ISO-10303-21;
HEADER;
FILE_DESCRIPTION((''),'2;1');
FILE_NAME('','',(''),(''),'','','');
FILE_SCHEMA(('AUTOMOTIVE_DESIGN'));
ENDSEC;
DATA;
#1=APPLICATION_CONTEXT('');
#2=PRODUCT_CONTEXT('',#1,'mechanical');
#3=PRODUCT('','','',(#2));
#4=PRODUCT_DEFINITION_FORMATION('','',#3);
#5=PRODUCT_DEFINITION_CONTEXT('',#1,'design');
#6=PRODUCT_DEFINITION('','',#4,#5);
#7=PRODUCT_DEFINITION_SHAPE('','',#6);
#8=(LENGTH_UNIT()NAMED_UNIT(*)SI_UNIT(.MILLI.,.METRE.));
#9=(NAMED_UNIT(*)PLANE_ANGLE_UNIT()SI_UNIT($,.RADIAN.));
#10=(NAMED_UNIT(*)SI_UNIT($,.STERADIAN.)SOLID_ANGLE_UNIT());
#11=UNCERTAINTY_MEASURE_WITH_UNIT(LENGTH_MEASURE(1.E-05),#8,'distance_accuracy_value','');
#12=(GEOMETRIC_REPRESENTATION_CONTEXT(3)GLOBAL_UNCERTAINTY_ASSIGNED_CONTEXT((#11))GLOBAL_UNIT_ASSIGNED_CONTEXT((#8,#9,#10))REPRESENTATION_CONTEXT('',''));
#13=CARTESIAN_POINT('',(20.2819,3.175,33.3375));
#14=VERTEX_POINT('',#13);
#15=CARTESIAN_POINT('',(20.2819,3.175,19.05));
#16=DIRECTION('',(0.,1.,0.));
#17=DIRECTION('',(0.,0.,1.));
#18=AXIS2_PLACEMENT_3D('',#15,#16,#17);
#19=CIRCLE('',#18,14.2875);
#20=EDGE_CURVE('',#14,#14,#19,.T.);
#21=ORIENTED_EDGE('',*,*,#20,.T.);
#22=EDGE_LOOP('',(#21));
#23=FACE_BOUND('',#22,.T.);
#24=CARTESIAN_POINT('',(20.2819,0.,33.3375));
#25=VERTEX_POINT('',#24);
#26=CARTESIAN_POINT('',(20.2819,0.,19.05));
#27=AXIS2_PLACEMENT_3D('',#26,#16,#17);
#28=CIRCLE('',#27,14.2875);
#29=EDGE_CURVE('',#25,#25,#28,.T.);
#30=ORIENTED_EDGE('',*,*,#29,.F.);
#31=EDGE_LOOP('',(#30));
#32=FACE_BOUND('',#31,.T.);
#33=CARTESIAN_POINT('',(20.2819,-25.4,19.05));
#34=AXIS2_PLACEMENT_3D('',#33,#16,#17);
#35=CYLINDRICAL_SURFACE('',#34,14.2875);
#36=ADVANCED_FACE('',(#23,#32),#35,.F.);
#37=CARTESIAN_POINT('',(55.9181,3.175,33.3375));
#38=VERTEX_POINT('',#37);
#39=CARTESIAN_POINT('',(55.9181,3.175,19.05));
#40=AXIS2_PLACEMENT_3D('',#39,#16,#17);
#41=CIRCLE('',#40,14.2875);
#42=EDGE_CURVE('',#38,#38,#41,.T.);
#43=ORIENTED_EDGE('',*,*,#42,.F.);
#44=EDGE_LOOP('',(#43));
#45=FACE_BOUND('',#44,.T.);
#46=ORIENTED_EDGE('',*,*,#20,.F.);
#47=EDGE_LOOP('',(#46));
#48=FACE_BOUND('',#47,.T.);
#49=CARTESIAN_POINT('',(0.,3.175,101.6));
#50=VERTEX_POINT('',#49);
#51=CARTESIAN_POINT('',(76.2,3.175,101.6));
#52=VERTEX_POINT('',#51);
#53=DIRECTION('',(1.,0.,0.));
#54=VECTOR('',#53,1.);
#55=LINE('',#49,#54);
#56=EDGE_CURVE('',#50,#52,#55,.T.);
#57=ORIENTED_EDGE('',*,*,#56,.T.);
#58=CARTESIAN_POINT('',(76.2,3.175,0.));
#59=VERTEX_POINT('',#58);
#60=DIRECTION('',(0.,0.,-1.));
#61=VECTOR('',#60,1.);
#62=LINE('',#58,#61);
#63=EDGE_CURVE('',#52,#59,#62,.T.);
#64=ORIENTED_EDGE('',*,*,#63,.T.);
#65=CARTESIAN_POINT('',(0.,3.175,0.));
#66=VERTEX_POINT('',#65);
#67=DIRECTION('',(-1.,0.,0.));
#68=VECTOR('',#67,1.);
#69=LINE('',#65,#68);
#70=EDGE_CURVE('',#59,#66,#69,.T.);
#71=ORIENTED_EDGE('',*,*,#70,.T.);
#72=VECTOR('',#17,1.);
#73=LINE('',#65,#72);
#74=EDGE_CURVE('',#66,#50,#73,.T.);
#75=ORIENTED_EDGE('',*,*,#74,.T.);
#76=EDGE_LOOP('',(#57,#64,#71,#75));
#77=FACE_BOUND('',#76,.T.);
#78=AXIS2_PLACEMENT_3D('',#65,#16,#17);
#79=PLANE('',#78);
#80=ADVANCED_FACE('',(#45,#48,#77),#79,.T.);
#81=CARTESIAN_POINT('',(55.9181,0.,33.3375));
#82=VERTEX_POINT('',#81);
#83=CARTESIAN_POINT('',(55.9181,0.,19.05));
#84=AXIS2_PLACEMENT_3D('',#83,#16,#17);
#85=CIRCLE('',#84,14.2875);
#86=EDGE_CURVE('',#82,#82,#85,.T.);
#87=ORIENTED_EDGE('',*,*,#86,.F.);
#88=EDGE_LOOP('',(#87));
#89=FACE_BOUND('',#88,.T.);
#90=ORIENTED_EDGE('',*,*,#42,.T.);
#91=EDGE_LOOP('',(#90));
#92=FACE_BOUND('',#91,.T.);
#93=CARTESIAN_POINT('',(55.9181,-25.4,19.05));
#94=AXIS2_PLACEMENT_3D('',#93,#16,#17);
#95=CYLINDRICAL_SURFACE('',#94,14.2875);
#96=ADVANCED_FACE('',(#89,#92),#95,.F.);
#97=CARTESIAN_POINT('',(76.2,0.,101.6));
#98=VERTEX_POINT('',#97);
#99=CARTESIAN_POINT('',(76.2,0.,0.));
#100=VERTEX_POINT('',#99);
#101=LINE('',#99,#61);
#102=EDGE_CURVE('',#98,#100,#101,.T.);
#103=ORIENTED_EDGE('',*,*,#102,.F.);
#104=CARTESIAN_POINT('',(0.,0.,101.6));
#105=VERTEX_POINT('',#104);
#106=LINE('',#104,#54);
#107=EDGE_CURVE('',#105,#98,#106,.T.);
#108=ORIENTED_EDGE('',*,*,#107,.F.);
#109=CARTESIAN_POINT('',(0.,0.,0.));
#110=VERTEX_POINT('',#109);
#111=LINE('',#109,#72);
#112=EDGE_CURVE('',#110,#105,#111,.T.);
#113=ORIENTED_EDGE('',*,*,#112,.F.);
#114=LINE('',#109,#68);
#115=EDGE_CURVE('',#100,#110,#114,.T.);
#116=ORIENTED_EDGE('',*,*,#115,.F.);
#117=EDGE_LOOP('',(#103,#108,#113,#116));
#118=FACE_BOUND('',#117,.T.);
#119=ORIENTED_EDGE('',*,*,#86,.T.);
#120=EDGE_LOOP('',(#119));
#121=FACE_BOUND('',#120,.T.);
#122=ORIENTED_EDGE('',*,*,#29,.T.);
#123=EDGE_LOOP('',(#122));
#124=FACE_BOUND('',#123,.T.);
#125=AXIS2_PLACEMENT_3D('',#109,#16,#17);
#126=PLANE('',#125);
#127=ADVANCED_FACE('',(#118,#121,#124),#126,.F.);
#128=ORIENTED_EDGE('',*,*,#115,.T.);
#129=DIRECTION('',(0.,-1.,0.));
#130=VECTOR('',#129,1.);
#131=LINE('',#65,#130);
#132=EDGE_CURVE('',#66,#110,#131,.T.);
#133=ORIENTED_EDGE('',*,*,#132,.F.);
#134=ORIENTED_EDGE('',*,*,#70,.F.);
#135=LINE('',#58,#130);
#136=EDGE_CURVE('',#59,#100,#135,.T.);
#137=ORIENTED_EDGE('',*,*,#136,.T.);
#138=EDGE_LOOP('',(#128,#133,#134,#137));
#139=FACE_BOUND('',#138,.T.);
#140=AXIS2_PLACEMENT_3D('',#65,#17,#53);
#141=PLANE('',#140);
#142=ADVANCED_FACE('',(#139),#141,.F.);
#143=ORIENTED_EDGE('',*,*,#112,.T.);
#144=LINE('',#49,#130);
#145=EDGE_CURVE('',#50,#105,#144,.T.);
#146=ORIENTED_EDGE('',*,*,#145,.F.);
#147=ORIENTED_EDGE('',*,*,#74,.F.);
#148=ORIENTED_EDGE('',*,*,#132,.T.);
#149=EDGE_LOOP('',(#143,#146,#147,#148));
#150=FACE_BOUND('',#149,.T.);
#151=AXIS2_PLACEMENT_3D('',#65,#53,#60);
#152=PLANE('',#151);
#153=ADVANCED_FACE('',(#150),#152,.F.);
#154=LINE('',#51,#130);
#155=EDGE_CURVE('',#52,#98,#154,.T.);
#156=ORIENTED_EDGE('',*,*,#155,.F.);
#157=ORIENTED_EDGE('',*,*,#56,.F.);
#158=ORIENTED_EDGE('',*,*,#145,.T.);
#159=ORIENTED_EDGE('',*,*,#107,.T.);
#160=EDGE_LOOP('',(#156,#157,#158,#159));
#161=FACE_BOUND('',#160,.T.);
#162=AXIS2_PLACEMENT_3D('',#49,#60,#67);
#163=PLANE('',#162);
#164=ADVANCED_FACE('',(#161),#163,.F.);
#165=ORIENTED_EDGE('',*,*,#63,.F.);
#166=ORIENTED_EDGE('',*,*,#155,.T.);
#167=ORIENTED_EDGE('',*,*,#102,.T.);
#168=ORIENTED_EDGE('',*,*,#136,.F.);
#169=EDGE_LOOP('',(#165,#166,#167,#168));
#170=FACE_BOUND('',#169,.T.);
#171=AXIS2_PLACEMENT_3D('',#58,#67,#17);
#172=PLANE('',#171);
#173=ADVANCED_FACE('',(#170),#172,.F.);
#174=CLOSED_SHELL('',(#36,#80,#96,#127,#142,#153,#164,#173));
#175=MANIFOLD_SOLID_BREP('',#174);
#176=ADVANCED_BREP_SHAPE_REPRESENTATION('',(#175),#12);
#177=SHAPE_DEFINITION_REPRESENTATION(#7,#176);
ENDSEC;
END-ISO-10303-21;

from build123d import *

# Parameters (mm, degrees)
SKETCH1_W           = 76.2
SKETCH1_H           = 101.6
BOSS_EXTRUDE1_DEPTH = 3.175
SKETCH2_R           = 14.2875
CUT_EXTRUDE1_DEPTH  = 28.575


with BuildPart() as part:
    # Sketch1 → Boss-Extrude1 (new body)
    with BuildSketch(Plane(origin=(0, 0, 0), x_dir=(1, 0, 0), z_dir=(0, 1, 0))):
        with Locations((38.1, -50.8)):
            Rectangle(SKETCH1_W, SKETCH1_H)
        Polygon((27.614248419, -19.05), (23.948074209, -12.7), (16.615725791, -12.7), (12.949551581, -19.05), (16.615725791, -25.4), (23.948074209, -25.4), align=None, mode=Mode.SUBTRACT)
        Polygon((55.9181, -11.717651581), (49.5681, -15.383825791), (49.5681, -22.716174209), (55.9181, -26.382348419), (62.2681, -22.716174209), (62.2681, -15.383825791), align=None, mode=Mode.SUBTRACT)
    extrude(amount=BOSS_EXTRUDE1_DEPTH)

    # Sketch2 → Cut-Extrude1 (cut)
    with BuildSketch(Plane(origin=(0, 3.175, 0), x_dir=(1, 0, 0), z_dir=(0, 1, 0))):
        with Locations(Location((20.2819, -19.05, 0), (0, 0, 270))):
            Circle(SKETCH2_R)
        with Locations(Location((55.9181, -19.05, 0), (0, 0, 270))):
            Circle(SKETCH2_R)
    extrude(amount=-CUT_EXTRUDE1_DEPTH, mode=Mode.SUBTRACT)


solid = part.part
